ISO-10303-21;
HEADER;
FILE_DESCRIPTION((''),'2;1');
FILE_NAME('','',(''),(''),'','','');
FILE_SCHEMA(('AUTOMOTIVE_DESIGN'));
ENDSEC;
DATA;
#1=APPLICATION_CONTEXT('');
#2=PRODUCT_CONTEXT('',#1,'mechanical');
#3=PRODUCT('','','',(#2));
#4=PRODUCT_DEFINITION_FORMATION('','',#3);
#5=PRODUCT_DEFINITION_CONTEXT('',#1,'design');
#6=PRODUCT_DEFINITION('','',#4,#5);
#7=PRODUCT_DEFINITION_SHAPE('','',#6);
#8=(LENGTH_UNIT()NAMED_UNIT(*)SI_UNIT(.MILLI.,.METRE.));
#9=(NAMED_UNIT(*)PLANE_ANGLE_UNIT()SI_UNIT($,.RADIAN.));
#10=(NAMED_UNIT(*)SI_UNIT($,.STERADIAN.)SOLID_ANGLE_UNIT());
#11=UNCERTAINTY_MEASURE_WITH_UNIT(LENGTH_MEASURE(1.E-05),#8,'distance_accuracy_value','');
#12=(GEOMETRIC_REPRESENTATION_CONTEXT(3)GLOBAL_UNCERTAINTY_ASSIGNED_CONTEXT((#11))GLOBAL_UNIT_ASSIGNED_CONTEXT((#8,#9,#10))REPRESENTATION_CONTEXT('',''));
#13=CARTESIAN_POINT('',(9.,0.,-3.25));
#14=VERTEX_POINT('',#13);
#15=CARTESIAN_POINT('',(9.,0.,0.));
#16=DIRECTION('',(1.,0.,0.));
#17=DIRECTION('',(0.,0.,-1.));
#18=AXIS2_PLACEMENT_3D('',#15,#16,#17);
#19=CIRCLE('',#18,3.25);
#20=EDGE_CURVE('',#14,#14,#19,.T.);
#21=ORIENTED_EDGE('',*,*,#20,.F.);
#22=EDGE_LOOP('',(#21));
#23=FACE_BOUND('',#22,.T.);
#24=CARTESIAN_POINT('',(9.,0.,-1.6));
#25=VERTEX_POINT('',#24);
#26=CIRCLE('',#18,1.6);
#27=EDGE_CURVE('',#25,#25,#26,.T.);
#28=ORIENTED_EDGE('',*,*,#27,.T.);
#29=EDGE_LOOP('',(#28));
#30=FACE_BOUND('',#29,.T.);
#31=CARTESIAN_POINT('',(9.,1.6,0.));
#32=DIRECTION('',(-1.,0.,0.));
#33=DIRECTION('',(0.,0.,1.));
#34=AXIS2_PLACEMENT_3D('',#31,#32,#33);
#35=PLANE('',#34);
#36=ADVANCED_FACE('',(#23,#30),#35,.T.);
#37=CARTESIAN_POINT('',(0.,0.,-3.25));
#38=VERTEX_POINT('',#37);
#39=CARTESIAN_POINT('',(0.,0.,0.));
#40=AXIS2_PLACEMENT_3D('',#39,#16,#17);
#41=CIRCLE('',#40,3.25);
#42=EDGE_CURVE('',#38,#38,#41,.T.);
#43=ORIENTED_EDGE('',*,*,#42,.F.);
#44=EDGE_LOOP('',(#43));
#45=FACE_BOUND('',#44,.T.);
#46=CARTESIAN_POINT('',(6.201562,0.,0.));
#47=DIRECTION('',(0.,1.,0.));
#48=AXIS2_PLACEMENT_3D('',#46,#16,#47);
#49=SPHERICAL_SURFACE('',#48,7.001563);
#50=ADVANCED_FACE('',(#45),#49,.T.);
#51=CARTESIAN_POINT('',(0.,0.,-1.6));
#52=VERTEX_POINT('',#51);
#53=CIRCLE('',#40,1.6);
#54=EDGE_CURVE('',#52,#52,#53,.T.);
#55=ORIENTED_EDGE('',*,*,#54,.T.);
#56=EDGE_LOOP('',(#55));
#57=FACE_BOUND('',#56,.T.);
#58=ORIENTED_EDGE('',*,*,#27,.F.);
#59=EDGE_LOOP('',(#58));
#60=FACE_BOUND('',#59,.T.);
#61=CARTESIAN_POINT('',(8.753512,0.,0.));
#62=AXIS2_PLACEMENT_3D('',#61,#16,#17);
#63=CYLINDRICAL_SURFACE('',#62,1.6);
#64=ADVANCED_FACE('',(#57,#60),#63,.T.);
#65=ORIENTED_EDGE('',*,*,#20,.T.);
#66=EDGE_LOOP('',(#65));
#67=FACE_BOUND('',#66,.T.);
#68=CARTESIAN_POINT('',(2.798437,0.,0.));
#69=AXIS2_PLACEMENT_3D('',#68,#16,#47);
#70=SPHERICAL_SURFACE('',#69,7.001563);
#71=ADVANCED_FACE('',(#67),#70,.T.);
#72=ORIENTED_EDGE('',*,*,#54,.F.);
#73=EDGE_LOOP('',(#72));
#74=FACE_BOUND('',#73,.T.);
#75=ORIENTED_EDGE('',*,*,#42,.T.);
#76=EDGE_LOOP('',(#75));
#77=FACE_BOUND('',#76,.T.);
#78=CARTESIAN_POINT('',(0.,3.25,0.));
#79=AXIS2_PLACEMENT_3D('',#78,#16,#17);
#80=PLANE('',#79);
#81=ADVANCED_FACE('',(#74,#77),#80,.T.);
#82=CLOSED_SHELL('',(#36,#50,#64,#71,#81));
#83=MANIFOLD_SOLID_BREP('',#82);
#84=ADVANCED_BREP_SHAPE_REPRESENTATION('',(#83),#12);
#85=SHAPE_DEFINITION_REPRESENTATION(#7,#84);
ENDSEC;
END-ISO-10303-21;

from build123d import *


with BuildPart() as part:
    # Sketch1 → Revolve1 (revolve)
    with BuildSketch(Plane.XY):
        with BuildLine():
            Line((0, 3.25), (0, 1.6))
            Line((0, 1.6), (9, 1.6))
            Line((9, 1.6), (9, 3.25))
            ThreePointArc((9, 3.25), (9.597058863, 1.673506797), (9.8, 0))
            Line((9.8, 0), (-0.8, 0))
            ThreePointArc((-0.8, 0), (-0.597058863, 1.673506797), (0, 3.25))
        make_face()
    revolve(axis=Axis((8.753512056, 0, 0), (-1, 0, 0)))


solid = part.part
